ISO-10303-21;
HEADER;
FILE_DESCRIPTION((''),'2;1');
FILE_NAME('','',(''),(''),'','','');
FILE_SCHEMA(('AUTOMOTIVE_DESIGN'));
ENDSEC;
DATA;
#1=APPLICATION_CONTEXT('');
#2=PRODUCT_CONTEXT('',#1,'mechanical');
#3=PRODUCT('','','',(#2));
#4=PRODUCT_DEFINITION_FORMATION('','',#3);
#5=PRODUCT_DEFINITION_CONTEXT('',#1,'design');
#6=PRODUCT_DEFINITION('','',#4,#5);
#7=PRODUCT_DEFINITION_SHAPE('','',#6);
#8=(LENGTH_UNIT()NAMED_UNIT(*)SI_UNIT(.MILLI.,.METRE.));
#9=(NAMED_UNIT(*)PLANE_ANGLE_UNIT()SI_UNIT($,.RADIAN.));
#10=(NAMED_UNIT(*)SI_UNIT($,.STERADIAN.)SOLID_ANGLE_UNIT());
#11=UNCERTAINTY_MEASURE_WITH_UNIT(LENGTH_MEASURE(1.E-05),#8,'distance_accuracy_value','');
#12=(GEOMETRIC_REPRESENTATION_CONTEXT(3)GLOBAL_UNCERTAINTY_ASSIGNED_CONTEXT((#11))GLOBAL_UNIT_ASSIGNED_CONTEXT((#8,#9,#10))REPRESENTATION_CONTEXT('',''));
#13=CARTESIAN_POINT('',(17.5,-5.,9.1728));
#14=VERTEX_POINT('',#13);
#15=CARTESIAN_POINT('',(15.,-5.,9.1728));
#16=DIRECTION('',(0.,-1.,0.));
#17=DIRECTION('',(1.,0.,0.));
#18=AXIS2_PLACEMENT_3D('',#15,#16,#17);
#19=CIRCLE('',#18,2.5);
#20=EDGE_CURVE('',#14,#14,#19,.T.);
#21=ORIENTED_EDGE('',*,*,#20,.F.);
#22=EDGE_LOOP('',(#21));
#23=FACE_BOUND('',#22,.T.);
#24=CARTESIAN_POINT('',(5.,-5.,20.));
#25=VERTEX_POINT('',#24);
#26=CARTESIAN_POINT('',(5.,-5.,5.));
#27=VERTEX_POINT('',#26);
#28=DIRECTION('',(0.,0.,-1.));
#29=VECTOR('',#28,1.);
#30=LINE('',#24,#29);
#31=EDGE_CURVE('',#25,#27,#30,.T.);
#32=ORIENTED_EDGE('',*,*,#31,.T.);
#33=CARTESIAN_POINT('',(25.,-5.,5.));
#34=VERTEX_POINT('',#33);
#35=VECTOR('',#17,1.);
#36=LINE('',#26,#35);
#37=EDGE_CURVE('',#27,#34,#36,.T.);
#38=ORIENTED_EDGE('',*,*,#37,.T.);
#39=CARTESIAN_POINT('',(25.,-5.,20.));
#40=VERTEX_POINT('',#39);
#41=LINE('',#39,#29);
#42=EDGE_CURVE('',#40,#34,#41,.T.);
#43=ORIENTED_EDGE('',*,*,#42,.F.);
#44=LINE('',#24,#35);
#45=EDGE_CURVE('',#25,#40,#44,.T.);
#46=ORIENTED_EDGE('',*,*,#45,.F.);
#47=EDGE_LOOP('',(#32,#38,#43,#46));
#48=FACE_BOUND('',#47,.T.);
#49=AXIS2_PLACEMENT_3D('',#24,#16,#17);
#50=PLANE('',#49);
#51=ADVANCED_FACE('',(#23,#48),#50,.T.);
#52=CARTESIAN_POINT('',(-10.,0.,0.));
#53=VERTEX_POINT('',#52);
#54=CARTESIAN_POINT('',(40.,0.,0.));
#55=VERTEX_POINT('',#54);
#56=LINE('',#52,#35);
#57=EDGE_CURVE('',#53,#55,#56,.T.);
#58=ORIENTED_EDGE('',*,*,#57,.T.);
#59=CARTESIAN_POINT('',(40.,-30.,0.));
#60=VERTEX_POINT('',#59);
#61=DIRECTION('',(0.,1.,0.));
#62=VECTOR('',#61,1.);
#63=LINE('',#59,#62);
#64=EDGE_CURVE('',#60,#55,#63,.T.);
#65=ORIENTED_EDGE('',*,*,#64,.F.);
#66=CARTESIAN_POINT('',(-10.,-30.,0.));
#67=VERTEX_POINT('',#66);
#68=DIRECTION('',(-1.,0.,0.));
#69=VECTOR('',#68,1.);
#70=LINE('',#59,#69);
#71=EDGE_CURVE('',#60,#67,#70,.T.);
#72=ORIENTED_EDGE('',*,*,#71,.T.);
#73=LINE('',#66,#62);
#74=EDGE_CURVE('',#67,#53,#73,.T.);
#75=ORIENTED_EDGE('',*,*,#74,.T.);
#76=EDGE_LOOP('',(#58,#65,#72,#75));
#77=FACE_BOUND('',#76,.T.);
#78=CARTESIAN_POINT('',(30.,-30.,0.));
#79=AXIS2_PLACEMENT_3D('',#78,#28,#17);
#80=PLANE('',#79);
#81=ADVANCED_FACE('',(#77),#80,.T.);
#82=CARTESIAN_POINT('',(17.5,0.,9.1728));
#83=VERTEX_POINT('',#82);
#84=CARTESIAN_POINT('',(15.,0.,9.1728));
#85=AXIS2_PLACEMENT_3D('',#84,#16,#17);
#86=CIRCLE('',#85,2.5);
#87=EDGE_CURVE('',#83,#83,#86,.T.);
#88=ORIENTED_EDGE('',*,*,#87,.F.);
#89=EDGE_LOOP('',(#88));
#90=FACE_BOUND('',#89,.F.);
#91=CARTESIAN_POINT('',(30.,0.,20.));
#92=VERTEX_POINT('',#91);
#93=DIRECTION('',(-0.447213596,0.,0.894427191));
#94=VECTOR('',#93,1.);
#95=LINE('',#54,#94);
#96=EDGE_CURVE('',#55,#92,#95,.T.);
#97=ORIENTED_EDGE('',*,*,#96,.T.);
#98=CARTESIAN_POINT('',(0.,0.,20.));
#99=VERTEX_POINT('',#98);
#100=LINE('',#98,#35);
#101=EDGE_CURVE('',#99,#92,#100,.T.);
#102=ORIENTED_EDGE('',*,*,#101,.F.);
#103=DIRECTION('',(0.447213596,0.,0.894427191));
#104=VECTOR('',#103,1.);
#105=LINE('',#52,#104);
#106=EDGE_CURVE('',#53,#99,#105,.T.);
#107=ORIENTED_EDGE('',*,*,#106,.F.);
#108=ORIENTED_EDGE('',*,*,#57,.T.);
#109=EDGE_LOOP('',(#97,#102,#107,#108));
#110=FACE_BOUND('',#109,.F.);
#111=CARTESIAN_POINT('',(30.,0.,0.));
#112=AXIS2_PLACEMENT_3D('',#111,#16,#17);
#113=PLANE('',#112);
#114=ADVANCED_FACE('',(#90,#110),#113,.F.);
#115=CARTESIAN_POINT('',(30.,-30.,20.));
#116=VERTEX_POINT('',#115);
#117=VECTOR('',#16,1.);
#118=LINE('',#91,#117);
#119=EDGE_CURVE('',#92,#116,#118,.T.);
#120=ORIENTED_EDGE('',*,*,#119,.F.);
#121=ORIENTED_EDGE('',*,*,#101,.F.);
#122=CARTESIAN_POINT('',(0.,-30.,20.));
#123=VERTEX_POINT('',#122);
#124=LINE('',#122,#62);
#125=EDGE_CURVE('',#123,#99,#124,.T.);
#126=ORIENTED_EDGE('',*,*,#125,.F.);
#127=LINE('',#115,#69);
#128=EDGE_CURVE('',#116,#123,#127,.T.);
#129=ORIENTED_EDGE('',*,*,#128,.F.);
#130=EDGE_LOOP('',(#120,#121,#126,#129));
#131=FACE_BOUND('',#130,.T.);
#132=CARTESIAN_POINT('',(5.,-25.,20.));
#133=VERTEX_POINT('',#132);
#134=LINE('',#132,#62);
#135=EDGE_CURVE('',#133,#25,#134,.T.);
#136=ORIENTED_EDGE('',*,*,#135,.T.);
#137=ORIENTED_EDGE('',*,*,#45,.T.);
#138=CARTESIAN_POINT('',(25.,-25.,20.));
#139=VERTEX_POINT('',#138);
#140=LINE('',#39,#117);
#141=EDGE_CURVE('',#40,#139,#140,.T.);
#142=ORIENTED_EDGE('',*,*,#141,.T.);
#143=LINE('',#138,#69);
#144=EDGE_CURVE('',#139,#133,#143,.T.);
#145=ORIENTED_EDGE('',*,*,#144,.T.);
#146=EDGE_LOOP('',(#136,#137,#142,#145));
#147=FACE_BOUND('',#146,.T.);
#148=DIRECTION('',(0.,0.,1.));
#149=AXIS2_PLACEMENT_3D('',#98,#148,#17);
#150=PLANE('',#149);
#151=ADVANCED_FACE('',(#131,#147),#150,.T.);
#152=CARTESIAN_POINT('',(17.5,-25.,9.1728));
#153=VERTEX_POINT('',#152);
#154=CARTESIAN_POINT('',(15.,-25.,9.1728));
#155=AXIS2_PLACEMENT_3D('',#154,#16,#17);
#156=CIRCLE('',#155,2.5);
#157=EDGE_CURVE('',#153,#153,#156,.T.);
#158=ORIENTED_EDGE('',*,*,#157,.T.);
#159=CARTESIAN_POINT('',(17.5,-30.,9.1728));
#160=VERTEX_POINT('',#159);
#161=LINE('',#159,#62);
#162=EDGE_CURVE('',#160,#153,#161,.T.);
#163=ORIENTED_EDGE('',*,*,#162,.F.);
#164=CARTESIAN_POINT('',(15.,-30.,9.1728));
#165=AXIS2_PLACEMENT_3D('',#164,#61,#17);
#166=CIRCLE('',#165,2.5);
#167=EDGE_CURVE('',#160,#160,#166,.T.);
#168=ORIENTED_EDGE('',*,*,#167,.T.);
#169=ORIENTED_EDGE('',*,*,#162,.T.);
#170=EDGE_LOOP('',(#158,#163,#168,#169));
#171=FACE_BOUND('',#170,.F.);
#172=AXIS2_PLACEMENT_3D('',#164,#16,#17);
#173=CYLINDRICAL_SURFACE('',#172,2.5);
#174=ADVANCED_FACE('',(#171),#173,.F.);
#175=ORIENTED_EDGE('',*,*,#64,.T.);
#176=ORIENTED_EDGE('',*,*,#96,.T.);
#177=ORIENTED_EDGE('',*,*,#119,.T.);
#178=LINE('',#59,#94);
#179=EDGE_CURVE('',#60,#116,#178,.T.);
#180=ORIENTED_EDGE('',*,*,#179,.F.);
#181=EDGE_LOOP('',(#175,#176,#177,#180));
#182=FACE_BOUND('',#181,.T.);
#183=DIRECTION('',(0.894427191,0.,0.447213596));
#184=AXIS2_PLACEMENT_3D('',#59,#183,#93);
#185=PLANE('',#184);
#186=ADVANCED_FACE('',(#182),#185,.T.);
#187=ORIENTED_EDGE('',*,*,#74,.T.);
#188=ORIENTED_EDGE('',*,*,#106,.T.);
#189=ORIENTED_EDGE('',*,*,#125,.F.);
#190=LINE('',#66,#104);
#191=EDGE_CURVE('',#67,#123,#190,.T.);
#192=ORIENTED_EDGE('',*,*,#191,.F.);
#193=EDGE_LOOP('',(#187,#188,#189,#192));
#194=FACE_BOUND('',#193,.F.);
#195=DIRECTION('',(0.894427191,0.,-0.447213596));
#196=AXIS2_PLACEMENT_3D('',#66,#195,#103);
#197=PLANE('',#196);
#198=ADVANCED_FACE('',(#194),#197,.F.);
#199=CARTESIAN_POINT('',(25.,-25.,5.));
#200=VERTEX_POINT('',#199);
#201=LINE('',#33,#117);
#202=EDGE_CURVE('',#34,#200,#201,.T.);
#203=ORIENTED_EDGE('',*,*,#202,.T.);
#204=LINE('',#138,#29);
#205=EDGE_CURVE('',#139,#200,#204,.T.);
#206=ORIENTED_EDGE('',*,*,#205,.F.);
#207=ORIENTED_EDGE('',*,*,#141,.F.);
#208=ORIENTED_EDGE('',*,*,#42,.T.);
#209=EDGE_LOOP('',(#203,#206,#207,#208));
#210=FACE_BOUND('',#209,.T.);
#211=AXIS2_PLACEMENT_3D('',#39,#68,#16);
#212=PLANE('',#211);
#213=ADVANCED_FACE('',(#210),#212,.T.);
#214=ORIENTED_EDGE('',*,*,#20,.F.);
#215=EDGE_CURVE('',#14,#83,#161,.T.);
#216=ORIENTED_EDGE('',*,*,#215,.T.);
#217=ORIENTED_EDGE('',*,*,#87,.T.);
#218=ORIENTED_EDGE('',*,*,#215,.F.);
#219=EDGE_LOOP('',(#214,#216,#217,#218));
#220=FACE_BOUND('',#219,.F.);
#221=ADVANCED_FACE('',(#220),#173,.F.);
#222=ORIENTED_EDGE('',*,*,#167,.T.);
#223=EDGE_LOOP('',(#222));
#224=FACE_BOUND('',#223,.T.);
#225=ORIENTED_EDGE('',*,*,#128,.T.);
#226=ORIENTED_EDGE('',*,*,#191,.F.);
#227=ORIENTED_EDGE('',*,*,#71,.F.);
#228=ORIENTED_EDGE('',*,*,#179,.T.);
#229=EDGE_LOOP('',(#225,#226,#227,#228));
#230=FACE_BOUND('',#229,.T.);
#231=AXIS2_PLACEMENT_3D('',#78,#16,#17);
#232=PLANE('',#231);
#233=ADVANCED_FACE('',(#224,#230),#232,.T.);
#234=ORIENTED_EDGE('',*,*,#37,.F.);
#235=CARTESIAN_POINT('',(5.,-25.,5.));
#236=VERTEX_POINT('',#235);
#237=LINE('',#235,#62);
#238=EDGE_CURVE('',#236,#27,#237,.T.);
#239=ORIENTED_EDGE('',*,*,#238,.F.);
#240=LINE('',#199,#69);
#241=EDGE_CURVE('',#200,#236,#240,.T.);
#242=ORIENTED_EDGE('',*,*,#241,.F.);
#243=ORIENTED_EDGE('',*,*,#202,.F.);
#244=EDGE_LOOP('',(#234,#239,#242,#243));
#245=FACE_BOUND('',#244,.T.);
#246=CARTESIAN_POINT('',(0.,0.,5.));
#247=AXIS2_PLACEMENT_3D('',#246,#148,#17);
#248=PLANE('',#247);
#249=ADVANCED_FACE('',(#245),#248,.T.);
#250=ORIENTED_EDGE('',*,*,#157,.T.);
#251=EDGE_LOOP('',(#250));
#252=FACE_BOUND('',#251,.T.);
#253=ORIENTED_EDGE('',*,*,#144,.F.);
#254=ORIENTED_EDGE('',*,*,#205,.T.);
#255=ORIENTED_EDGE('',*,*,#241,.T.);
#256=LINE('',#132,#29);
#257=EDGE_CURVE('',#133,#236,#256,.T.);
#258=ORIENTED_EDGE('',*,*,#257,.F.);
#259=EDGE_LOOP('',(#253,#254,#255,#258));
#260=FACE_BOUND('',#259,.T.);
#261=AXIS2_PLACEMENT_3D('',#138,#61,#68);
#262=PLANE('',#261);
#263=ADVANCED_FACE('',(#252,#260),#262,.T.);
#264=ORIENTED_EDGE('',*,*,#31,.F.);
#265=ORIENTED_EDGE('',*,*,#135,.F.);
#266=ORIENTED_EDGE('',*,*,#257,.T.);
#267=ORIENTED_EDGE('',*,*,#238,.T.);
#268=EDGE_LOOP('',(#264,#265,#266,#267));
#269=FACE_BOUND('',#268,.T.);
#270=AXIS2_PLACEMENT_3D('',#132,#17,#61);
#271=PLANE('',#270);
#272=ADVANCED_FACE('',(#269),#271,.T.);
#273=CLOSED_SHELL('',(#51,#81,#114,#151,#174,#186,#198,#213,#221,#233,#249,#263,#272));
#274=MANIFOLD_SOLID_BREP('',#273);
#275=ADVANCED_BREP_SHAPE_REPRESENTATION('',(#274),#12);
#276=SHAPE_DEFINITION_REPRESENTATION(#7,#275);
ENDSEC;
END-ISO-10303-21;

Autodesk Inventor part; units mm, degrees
ref_plane "YZ Plane" through (0, 0, 0) normal (1, 0, 0) x (0, 1, 0)
ref_plane "XZ Plane" through (0, 0, 0) normal (0, 1, 0) x (-1, 0, 0)
ref_plane "XY Plane" through (0, 0, 0) normal (0, 0, 1) x (1, 0, 0)
sketch "Sketch1" plane through (0, 0, 0) normal (0, 0, 1) x (1, 0, 0)
  line L0 (0, 0) -> (30, 0)
  line L1 (30, 0) -> (30, -30)
  line L2 (30, -30) -> (0, -30)
  line L3 (0, -30) -> (0, 0)
  line L4 (0, 0) -> (5, 0)
  line L5 (5, -5.8022) -> (25, -5.8022)
  line L6 (25, -5.8022) -> (25, -25.8022)
  line L7 (25, -25.8022) -> (5, -25.8022)
  line L8 (5, -25.8022) -> (5, -5.8022)
  dimension "d0" = 30
  dimension "d1" = 30
  dimension "d6" = 20
  dimension "d7" = 20
extrude "Extrusion1" add sketch "Sketch1" along normal blind 20 contours L0 L1 L2 L3 | L5 L6 L7 L8
sketch "Sketch2" plane through (0, 0, 20) normal (0, 0, 1) x (1, 0, 0)
  line L0 (30, 0) -> (0, 0) projected
  line L1 (0, 0) -> (5, 0)
  line L2 (5, -5) -> (25, -5)
  line L3 (25, -5) -> (25, -25)
  line L4 (25, -25) -> (5, -25)
  line L5 (5, -25) -> (5, -5)
  dimension "d8" = 5
extrude "Extrusion2" cut sketch "Sketch2" against normal blind 15
sketch "Sketch3" plane through (0, -30, 0) normal (0, -1, 0) x (1, 0, 0)
  line L0 (0, 0) -> (-10, 0)
  line L1 (0, 0) -> (0, 20) projected
  line L2 (-10, 0) -> (0, 20)
  dimension "d14" = 10
extrude "Extrusion3" add sketch "Sketch3" against normal blind 30
sketch "Sketch4" plane through (30, -30, 0) normal (0, -1, 0) x (1, 0, 0)
  line L0 (-40, 0) -> (0, 0) projected
  line L1 (0, 0) -> (10, 0)
  line L2 (0, 0) -> (0, 20) projected
  line L3 (10, 0) -> (0, 20)
  point P0 (-30, 0)
  dimension "d17" = 10
extrude "Extrusion4" add sketch "Sketch4" against normal blind 30
sketch "Sketch5" plane through (-10, -30, 0) normal (0, -1, 0) x (1, 0, 0)
  line L0 (10, 9.1728) -> (40, 9.1728)
  line L1 (15, 20) -> (35, 20) projected
  line L2 (25, 20) -> (25, 9.1728)
  circle A0 centre (25, 9.1728) radius 2.5
  point P0 (10, 0)
  dimension "d21" = 5
extrude "Extrusion5" cut sketch "Sketch5" against normal blind 30
equation "\"BendRadius\" = Thickness"
equation "\"BendReliefWidth\" = Thickness"
equation "\"BendReliefDepth\" = 0.5 * Thickness"
equation "\"CornerReliefSize\" = 4 * Thickness"
equation "\"MinimumRemnant\" = 2 * Thickness"
equation "\"TransitionRadius\" = BendRadius"
equation "\"JacobiRadiusSize\" = BendRadius"
equation "\"GapSize\" = Thickness"
equation "\"Thickness\" = 0.5"
properties part number "base de soporte"
